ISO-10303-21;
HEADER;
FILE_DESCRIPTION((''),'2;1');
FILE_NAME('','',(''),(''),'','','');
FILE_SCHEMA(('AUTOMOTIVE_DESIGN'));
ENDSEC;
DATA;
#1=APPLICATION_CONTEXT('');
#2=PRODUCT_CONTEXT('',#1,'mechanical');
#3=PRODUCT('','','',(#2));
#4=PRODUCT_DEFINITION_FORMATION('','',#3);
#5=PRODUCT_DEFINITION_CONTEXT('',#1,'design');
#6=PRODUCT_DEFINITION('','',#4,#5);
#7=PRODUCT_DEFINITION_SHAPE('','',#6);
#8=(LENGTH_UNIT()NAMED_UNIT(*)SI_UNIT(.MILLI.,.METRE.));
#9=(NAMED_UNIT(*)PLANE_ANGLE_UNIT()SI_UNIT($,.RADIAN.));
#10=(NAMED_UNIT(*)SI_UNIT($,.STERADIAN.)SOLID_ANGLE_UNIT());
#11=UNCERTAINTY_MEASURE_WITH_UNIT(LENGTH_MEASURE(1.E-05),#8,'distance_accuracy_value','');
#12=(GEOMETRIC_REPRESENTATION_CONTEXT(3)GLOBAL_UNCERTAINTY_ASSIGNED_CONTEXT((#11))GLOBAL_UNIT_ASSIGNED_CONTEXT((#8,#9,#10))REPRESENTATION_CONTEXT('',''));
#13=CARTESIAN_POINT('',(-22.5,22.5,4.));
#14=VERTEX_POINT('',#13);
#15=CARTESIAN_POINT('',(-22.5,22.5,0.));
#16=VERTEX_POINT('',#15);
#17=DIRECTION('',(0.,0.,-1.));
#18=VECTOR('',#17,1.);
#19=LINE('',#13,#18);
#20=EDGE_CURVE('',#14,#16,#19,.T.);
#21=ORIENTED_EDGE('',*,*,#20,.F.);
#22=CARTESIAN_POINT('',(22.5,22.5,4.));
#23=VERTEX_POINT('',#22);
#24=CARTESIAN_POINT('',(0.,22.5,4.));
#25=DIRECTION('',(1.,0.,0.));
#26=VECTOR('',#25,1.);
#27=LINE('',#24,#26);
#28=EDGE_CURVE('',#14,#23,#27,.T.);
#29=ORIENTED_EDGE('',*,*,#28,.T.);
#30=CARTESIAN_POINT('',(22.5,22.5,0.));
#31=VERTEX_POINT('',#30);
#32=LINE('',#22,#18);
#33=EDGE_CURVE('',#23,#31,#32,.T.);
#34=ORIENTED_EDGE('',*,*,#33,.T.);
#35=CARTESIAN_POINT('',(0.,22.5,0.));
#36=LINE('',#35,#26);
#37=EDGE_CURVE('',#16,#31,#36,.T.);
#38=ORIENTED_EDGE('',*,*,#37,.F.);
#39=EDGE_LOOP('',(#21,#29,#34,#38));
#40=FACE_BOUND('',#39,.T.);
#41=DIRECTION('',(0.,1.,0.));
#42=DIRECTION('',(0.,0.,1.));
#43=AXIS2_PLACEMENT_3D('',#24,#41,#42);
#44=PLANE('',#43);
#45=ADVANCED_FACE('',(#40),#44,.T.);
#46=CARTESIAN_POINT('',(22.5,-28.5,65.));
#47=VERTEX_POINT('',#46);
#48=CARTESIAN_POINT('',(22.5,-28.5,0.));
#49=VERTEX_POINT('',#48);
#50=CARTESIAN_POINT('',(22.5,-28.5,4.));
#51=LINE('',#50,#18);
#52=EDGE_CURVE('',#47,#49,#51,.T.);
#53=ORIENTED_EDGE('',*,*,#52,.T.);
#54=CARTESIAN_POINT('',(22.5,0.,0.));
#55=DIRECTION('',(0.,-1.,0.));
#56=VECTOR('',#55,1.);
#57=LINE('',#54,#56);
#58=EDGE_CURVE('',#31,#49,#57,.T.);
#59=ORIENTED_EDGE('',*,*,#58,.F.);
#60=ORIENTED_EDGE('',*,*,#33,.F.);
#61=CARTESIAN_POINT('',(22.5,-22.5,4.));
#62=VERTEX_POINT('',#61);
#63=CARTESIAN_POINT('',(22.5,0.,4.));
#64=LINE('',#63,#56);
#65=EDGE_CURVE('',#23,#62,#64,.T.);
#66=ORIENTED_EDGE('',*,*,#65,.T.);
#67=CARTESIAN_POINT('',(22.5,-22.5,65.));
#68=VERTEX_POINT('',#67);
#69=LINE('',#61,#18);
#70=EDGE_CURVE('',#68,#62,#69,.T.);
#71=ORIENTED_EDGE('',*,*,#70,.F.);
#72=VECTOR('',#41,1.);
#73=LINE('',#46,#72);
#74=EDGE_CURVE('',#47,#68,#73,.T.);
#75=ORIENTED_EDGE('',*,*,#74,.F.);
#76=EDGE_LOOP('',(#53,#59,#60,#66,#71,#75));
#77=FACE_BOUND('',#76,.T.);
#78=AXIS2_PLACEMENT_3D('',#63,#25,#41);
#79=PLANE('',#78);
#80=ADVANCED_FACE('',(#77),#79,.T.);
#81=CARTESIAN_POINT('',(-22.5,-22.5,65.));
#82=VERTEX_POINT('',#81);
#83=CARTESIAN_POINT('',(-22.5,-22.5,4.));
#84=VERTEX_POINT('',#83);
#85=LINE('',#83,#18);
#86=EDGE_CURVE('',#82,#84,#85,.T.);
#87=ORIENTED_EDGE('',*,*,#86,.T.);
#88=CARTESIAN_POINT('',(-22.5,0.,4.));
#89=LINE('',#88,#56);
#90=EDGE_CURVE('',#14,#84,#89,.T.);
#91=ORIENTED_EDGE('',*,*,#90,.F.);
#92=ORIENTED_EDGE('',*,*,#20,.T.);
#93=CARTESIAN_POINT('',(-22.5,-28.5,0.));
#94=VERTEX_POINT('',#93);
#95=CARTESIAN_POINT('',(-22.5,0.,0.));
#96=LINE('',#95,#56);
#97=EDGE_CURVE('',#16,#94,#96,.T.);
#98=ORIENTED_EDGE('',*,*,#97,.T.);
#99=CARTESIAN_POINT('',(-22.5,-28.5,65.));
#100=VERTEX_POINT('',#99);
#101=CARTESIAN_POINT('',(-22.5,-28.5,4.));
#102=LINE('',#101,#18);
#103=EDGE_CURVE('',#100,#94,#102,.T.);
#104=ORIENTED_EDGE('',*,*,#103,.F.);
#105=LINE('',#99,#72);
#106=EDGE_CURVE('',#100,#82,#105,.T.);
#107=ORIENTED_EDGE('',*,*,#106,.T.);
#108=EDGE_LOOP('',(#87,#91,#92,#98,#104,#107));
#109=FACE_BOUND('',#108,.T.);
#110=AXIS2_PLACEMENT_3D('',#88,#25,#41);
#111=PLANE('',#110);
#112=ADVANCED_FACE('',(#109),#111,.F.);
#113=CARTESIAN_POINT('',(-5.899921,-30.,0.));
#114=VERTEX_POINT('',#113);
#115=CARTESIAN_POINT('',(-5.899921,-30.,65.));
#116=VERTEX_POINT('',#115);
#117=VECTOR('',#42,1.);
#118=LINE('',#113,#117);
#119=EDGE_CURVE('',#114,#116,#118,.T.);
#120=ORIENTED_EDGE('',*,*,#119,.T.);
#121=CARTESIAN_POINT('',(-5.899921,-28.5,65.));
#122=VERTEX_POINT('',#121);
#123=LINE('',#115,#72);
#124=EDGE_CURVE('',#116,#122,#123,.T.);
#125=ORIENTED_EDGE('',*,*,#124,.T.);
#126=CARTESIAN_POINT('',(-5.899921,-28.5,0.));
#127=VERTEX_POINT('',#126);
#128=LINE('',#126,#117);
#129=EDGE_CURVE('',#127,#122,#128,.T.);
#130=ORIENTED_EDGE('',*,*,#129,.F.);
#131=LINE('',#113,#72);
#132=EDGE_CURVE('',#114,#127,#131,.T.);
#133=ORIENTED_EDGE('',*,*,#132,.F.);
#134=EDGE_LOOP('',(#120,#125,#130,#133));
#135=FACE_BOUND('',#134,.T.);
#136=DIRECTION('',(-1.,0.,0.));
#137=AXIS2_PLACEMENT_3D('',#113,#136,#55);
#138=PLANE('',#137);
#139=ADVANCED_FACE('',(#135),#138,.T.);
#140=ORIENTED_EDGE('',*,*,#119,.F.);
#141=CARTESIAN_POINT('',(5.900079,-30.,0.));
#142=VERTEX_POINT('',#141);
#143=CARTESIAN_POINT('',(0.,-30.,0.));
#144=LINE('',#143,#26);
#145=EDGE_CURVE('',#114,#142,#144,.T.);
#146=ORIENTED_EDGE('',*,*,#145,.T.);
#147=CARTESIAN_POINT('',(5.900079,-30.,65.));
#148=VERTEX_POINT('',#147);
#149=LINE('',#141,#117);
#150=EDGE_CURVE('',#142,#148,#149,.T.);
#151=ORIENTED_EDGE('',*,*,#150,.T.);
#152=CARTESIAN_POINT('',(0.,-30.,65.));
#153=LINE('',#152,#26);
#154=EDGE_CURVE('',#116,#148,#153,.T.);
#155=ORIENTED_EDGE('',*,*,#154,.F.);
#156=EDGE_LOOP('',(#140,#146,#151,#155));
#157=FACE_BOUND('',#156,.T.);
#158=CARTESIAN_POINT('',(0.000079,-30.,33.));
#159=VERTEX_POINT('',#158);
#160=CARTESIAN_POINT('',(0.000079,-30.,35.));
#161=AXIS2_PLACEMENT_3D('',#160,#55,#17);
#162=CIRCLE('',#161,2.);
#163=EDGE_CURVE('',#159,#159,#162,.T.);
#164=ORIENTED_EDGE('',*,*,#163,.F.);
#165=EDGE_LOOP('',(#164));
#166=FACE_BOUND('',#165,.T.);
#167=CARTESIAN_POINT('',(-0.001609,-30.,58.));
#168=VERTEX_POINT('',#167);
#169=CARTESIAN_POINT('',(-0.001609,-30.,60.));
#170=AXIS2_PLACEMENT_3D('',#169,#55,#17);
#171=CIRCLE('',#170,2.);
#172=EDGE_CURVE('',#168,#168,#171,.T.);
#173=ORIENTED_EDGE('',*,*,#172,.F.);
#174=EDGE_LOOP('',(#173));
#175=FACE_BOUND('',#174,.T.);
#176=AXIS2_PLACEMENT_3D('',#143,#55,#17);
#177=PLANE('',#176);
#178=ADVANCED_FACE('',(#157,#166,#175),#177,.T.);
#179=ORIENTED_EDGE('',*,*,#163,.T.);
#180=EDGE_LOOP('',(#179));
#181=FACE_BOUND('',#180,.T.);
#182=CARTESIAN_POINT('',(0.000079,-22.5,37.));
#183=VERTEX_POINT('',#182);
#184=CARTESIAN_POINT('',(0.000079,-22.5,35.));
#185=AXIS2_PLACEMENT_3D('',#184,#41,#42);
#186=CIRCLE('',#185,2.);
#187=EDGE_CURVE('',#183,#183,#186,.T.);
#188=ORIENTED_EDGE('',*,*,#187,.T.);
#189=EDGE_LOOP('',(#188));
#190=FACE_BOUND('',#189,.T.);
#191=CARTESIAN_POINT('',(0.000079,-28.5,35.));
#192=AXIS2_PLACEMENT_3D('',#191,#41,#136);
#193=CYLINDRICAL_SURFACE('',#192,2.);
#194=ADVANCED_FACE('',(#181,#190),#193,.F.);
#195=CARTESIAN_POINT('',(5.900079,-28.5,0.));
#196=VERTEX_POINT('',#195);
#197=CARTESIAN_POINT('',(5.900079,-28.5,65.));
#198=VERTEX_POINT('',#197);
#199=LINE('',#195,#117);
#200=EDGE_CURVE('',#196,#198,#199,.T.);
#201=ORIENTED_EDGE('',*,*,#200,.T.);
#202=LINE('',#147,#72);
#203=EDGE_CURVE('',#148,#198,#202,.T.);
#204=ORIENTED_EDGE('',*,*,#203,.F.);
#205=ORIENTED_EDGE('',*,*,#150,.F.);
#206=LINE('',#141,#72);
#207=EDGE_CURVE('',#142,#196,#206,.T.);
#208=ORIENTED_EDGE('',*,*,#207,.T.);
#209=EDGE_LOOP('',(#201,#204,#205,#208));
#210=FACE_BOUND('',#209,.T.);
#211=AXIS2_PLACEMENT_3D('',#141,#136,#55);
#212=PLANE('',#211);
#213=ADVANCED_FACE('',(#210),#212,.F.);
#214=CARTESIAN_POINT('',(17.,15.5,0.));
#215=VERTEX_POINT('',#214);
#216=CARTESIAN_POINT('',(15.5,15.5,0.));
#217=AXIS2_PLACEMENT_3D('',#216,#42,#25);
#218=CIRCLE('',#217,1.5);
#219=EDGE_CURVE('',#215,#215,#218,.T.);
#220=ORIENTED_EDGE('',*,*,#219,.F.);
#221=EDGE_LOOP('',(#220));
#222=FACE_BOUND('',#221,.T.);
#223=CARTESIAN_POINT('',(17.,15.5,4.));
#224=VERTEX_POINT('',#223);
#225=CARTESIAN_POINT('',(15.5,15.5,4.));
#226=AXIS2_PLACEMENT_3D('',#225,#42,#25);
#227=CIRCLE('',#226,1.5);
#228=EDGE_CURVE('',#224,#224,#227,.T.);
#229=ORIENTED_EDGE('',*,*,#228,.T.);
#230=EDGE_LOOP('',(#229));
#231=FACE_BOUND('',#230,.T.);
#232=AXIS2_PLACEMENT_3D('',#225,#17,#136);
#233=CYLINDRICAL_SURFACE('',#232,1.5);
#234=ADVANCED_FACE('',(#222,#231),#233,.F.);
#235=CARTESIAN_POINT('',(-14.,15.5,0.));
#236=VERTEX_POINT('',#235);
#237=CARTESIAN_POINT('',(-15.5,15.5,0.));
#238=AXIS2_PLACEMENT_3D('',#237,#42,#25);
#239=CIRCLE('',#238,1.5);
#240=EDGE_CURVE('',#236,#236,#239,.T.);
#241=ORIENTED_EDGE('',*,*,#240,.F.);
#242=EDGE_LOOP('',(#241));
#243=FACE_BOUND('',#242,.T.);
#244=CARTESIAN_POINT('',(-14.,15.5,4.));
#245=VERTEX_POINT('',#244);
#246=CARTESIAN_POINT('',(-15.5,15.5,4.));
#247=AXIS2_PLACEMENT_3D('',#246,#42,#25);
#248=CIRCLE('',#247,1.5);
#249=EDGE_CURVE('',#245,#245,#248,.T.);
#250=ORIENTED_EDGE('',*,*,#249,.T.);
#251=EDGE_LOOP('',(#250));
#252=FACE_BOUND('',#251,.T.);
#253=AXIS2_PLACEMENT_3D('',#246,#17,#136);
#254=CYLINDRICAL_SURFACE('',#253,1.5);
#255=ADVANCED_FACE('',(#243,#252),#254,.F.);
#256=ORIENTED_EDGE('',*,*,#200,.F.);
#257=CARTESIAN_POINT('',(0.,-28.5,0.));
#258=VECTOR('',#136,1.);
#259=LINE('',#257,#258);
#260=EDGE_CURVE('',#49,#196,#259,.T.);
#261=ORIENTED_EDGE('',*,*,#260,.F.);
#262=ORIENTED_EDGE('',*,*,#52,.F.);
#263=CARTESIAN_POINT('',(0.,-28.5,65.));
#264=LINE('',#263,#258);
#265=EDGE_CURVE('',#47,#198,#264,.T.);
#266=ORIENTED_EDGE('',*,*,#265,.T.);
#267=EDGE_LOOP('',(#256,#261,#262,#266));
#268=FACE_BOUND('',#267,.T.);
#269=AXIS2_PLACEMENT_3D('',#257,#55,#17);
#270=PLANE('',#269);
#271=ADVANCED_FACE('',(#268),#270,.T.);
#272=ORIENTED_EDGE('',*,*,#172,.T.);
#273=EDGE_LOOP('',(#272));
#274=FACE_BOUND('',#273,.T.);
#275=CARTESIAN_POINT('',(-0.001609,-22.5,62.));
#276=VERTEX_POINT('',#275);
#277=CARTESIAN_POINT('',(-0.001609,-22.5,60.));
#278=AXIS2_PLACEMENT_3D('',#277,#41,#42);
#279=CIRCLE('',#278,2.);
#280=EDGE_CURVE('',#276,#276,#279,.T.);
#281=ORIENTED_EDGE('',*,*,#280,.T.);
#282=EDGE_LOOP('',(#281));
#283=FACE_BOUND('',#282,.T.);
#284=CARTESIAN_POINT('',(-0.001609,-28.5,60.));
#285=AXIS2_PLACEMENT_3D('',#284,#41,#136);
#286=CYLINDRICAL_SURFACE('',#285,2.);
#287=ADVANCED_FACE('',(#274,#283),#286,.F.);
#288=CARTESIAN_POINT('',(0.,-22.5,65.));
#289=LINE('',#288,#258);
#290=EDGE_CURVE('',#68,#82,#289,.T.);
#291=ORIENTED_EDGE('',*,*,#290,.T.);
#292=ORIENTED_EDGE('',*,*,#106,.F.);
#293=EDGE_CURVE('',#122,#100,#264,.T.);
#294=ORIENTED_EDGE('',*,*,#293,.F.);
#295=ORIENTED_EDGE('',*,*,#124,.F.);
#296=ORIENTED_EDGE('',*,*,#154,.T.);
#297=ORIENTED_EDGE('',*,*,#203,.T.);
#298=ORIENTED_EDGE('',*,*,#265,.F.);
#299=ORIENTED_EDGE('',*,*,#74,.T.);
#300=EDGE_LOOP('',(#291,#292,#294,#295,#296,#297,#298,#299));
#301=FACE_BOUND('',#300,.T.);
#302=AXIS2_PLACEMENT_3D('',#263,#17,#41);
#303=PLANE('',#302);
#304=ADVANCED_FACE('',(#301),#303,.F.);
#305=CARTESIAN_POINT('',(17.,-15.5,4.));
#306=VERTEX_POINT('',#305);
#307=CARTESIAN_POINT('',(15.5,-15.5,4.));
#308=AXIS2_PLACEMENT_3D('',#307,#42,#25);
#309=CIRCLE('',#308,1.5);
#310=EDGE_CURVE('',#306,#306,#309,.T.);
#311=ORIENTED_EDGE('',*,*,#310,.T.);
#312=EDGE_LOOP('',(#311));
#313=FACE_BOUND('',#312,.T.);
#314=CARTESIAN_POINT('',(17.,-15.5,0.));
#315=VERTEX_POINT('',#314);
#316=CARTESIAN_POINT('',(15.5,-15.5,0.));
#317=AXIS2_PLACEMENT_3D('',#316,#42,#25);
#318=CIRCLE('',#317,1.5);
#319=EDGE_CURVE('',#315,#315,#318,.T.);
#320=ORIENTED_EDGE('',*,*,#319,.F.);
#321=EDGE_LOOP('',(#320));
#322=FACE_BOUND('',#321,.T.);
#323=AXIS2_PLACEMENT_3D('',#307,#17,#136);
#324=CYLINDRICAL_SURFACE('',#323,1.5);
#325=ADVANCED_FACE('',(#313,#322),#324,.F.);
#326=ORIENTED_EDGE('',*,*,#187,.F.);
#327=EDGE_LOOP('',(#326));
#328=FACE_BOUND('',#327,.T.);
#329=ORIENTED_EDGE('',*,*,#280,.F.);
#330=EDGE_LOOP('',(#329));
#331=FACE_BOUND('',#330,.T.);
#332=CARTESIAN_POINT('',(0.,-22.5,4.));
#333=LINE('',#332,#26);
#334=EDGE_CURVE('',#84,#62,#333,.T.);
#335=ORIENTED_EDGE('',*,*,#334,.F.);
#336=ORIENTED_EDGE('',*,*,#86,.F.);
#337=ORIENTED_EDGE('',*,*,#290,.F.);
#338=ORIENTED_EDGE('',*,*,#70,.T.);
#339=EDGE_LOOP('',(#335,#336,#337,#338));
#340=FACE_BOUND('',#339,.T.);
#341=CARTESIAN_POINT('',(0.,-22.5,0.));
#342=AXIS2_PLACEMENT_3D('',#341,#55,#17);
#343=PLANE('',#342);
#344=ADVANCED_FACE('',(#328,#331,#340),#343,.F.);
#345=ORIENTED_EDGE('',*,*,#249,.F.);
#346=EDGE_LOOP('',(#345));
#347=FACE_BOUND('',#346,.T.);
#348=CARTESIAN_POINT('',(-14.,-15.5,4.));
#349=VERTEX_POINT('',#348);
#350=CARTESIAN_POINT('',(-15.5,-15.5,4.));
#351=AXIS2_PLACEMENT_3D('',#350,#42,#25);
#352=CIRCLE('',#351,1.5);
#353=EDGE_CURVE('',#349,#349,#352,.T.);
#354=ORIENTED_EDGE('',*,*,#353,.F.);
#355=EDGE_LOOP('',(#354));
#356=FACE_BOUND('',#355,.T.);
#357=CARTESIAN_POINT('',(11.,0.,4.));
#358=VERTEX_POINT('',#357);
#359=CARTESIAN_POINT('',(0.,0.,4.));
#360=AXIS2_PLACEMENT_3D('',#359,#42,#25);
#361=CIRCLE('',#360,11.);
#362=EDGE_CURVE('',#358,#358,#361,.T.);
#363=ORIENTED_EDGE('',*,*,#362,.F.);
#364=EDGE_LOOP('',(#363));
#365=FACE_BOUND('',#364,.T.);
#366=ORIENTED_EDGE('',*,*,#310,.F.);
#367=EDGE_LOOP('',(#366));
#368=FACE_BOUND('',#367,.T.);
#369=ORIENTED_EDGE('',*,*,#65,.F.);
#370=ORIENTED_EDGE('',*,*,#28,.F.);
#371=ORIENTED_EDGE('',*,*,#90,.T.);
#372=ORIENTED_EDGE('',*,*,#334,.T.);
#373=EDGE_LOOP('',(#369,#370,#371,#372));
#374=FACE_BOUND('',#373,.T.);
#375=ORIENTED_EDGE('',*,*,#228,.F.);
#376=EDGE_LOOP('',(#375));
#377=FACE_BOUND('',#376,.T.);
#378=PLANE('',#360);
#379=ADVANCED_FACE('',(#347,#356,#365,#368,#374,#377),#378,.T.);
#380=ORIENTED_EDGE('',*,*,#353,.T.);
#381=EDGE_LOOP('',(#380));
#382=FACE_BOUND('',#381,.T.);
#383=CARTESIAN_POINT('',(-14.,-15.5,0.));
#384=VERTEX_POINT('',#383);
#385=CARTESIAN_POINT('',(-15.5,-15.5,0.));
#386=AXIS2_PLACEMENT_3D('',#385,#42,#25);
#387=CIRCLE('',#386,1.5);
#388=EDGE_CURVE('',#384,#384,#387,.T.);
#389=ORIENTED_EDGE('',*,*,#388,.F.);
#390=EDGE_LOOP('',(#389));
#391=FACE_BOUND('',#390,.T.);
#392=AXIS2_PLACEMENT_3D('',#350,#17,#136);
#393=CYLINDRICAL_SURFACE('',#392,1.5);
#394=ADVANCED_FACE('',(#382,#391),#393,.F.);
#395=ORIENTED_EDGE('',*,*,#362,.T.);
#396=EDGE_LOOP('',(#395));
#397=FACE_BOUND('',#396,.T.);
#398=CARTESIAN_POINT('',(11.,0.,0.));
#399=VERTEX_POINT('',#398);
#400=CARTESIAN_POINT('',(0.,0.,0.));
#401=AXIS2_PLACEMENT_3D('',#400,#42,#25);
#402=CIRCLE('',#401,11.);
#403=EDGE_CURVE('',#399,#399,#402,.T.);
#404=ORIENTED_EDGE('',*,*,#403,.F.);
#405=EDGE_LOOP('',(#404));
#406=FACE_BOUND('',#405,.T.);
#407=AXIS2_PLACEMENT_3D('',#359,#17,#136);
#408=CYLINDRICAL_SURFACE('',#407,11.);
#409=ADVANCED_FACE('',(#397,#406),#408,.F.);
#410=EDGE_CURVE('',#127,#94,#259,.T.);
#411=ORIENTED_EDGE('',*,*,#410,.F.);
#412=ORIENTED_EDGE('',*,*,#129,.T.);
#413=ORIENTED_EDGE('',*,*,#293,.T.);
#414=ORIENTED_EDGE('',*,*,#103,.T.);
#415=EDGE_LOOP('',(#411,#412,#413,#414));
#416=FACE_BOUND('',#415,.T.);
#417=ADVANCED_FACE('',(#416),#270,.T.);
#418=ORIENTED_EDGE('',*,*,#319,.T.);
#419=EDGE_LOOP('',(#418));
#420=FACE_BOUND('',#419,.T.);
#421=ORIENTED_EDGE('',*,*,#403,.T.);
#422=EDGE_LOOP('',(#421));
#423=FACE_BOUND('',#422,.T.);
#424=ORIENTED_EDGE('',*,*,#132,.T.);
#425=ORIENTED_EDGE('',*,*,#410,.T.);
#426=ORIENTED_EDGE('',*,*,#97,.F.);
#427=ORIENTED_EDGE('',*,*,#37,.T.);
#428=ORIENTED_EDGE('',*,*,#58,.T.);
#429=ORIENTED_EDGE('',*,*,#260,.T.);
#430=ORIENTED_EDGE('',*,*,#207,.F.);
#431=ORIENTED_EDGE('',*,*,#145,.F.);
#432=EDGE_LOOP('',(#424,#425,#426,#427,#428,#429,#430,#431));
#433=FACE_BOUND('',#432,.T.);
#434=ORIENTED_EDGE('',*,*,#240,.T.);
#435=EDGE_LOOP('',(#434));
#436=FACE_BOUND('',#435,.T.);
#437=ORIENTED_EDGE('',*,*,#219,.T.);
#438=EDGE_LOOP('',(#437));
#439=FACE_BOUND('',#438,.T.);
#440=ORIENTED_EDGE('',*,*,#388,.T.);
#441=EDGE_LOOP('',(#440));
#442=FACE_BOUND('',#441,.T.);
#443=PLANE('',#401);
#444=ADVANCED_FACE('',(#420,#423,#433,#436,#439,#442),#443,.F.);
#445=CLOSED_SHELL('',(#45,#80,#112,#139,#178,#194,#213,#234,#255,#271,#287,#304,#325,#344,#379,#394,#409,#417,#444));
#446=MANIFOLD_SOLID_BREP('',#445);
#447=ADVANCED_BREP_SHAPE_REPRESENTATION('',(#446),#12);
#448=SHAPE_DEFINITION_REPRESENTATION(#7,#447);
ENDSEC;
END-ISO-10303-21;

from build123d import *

# Parameters (mm, degrees)
SKETCH1_W           = 45
SKETCH1_H           = 45
SKETCH1_R           = 11
SKETCH1_R_2         = 1.5
BOSS_EXTRUDE1_DEPTH = 4
BOSS_EXTRUDE2_START = 1.649921
SKETCH2_W           = 2.999997759
SKETCH2_H           = 65
SKETCH2_W_2         = 13.199968027
SKETCH2_W_3         = 0.399954884
SKETCH2_W_4         = 11.8
SKETCH2_R           = 2
BOSS_EXTRUDE2_DEPTH = 6
BOSS_EXTRUDE4_START = -4.350079
SKETCH2_5_W         = 11.8
SKETCH2_5_H         = 65
SKETCH2_5_R         = 2
BOSS_EXTRUDE4_DEPTH = 1.5


with BuildPart() as part:
    # Sketch1 → Boss-Extrude1 (new body)
    with BuildSketch(Plane.XY):
        Rectangle(SKETCH1_W, SKETCH1_H)
        Polygon((20.15, -20.15), (20.15, -16.735786438), (20.15, 16.735786438), (16.735786438, 20.15), (-16.735786438, 20.15), (-20.15, 16.735786438), (-20.15, 16.077064234), (-20.15, -16.735786438), (-20.15, -20.15), (-16.735786438, -20.15), (16.735786438, -20.15), align=None, mode=Mode.SUBTRACT)
        Polygon((16.735786438, -20.15), (20.15, -20.15), (20.15, -16.735786438), (20.15, 16.735786438), (16.735786438, 20.15), (-16.735786438, 20.15), (-20.15, 16.735786438), (-20.15, 16.077064234), (-20.15, -16.735786438), (-20.15, -20.15), (-16.735786438, -20.15), align=None)
        Circle(SKETCH1_R, mode=Mode.SUBTRACT)
        with Locations((15.5, -15.5)):
            Circle(SKETCH1_R_2, mode=Mode.SUBTRACT)
        with Locations((15.5, 15.5)):
            Circle(SKETCH1_R_2, mode=Mode.SUBTRACT)
        with Locations((-15.5, -15.5)):
            Circle(SKETCH1_R_2, mode=Mode.SUBTRACT)
        with Locations((-15.5, 15.5)):
            Circle(SKETCH1_R_2, mode=Mode.SUBTRACT)
    extrude(amount=BOSS_EXTRUDE1_DEPTH)

    # Sketch2 → Boss-Extrude2 (add)
    with BuildSketch(Plane(origin=(0, -24.14992067, 0), x_dir=(1, 0, 0), z_dir=(0, 1, 0)).offset(BOSS_EXTRUDE2_START)):
        with Locations((21.000001121, -32.5)):
            Rectangle(SKETCH2_W, SKETCH2_H)
        with Locations((12.900018228, -32.5)):
            Rectangle(SKETCH2_W_2, SKETCH2_H)
        Polygon((-22.5, -65), (-5.89992067, -65), (-5.89992067, 0), (-19.499922911, 0), (-22.5, 0), align=None)
        with Locations((6.100056772, -32.5)):
            Rectangle(SKETCH2_W_3, SKETCH2_H)
        with Locations((7.933e-05, -32.5)):
            Rectangle(SKETCH2_W_4, SKETCH2_H)
        with Locations((-0.001608903, -59.999999943)):
            Circle(SKETCH2_R, mode=Mode.SUBTRACT)
        with Locations((7.933e-05, -35)):
            Circle(SKETCH2_R, mode=Mode.SUBTRACT)
    extrude(amount=-BOSS_EXTRUDE2_DEPTH)

    # Sketch2<5> → Boss-Extrude4 (add)
    with BuildSketch(Plane(origin=(0, -24.14992067, 0), x_dir=(1, 0, 0), z_dir=(0, 1, 0)).offset(BOSS_EXTRUDE4_START)):
        with Locations((7.933e-05, -32.5)):
            Rectangle(SKETCH2_5_W, SKETCH2_5_H)
        with Locations((-0.001608903, -59.999999943)):
            Circle(SKETCH2_5_R, mode=Mode.SUBTRACT)
        with Locations((7.933e-05, -35)):
            Circle(SKETCH2_5_R, mode=Mode.SUBTRACT)
    extrude(amount=-BOSS_EXTRUDE4_DEPTH)


solid = part.part
